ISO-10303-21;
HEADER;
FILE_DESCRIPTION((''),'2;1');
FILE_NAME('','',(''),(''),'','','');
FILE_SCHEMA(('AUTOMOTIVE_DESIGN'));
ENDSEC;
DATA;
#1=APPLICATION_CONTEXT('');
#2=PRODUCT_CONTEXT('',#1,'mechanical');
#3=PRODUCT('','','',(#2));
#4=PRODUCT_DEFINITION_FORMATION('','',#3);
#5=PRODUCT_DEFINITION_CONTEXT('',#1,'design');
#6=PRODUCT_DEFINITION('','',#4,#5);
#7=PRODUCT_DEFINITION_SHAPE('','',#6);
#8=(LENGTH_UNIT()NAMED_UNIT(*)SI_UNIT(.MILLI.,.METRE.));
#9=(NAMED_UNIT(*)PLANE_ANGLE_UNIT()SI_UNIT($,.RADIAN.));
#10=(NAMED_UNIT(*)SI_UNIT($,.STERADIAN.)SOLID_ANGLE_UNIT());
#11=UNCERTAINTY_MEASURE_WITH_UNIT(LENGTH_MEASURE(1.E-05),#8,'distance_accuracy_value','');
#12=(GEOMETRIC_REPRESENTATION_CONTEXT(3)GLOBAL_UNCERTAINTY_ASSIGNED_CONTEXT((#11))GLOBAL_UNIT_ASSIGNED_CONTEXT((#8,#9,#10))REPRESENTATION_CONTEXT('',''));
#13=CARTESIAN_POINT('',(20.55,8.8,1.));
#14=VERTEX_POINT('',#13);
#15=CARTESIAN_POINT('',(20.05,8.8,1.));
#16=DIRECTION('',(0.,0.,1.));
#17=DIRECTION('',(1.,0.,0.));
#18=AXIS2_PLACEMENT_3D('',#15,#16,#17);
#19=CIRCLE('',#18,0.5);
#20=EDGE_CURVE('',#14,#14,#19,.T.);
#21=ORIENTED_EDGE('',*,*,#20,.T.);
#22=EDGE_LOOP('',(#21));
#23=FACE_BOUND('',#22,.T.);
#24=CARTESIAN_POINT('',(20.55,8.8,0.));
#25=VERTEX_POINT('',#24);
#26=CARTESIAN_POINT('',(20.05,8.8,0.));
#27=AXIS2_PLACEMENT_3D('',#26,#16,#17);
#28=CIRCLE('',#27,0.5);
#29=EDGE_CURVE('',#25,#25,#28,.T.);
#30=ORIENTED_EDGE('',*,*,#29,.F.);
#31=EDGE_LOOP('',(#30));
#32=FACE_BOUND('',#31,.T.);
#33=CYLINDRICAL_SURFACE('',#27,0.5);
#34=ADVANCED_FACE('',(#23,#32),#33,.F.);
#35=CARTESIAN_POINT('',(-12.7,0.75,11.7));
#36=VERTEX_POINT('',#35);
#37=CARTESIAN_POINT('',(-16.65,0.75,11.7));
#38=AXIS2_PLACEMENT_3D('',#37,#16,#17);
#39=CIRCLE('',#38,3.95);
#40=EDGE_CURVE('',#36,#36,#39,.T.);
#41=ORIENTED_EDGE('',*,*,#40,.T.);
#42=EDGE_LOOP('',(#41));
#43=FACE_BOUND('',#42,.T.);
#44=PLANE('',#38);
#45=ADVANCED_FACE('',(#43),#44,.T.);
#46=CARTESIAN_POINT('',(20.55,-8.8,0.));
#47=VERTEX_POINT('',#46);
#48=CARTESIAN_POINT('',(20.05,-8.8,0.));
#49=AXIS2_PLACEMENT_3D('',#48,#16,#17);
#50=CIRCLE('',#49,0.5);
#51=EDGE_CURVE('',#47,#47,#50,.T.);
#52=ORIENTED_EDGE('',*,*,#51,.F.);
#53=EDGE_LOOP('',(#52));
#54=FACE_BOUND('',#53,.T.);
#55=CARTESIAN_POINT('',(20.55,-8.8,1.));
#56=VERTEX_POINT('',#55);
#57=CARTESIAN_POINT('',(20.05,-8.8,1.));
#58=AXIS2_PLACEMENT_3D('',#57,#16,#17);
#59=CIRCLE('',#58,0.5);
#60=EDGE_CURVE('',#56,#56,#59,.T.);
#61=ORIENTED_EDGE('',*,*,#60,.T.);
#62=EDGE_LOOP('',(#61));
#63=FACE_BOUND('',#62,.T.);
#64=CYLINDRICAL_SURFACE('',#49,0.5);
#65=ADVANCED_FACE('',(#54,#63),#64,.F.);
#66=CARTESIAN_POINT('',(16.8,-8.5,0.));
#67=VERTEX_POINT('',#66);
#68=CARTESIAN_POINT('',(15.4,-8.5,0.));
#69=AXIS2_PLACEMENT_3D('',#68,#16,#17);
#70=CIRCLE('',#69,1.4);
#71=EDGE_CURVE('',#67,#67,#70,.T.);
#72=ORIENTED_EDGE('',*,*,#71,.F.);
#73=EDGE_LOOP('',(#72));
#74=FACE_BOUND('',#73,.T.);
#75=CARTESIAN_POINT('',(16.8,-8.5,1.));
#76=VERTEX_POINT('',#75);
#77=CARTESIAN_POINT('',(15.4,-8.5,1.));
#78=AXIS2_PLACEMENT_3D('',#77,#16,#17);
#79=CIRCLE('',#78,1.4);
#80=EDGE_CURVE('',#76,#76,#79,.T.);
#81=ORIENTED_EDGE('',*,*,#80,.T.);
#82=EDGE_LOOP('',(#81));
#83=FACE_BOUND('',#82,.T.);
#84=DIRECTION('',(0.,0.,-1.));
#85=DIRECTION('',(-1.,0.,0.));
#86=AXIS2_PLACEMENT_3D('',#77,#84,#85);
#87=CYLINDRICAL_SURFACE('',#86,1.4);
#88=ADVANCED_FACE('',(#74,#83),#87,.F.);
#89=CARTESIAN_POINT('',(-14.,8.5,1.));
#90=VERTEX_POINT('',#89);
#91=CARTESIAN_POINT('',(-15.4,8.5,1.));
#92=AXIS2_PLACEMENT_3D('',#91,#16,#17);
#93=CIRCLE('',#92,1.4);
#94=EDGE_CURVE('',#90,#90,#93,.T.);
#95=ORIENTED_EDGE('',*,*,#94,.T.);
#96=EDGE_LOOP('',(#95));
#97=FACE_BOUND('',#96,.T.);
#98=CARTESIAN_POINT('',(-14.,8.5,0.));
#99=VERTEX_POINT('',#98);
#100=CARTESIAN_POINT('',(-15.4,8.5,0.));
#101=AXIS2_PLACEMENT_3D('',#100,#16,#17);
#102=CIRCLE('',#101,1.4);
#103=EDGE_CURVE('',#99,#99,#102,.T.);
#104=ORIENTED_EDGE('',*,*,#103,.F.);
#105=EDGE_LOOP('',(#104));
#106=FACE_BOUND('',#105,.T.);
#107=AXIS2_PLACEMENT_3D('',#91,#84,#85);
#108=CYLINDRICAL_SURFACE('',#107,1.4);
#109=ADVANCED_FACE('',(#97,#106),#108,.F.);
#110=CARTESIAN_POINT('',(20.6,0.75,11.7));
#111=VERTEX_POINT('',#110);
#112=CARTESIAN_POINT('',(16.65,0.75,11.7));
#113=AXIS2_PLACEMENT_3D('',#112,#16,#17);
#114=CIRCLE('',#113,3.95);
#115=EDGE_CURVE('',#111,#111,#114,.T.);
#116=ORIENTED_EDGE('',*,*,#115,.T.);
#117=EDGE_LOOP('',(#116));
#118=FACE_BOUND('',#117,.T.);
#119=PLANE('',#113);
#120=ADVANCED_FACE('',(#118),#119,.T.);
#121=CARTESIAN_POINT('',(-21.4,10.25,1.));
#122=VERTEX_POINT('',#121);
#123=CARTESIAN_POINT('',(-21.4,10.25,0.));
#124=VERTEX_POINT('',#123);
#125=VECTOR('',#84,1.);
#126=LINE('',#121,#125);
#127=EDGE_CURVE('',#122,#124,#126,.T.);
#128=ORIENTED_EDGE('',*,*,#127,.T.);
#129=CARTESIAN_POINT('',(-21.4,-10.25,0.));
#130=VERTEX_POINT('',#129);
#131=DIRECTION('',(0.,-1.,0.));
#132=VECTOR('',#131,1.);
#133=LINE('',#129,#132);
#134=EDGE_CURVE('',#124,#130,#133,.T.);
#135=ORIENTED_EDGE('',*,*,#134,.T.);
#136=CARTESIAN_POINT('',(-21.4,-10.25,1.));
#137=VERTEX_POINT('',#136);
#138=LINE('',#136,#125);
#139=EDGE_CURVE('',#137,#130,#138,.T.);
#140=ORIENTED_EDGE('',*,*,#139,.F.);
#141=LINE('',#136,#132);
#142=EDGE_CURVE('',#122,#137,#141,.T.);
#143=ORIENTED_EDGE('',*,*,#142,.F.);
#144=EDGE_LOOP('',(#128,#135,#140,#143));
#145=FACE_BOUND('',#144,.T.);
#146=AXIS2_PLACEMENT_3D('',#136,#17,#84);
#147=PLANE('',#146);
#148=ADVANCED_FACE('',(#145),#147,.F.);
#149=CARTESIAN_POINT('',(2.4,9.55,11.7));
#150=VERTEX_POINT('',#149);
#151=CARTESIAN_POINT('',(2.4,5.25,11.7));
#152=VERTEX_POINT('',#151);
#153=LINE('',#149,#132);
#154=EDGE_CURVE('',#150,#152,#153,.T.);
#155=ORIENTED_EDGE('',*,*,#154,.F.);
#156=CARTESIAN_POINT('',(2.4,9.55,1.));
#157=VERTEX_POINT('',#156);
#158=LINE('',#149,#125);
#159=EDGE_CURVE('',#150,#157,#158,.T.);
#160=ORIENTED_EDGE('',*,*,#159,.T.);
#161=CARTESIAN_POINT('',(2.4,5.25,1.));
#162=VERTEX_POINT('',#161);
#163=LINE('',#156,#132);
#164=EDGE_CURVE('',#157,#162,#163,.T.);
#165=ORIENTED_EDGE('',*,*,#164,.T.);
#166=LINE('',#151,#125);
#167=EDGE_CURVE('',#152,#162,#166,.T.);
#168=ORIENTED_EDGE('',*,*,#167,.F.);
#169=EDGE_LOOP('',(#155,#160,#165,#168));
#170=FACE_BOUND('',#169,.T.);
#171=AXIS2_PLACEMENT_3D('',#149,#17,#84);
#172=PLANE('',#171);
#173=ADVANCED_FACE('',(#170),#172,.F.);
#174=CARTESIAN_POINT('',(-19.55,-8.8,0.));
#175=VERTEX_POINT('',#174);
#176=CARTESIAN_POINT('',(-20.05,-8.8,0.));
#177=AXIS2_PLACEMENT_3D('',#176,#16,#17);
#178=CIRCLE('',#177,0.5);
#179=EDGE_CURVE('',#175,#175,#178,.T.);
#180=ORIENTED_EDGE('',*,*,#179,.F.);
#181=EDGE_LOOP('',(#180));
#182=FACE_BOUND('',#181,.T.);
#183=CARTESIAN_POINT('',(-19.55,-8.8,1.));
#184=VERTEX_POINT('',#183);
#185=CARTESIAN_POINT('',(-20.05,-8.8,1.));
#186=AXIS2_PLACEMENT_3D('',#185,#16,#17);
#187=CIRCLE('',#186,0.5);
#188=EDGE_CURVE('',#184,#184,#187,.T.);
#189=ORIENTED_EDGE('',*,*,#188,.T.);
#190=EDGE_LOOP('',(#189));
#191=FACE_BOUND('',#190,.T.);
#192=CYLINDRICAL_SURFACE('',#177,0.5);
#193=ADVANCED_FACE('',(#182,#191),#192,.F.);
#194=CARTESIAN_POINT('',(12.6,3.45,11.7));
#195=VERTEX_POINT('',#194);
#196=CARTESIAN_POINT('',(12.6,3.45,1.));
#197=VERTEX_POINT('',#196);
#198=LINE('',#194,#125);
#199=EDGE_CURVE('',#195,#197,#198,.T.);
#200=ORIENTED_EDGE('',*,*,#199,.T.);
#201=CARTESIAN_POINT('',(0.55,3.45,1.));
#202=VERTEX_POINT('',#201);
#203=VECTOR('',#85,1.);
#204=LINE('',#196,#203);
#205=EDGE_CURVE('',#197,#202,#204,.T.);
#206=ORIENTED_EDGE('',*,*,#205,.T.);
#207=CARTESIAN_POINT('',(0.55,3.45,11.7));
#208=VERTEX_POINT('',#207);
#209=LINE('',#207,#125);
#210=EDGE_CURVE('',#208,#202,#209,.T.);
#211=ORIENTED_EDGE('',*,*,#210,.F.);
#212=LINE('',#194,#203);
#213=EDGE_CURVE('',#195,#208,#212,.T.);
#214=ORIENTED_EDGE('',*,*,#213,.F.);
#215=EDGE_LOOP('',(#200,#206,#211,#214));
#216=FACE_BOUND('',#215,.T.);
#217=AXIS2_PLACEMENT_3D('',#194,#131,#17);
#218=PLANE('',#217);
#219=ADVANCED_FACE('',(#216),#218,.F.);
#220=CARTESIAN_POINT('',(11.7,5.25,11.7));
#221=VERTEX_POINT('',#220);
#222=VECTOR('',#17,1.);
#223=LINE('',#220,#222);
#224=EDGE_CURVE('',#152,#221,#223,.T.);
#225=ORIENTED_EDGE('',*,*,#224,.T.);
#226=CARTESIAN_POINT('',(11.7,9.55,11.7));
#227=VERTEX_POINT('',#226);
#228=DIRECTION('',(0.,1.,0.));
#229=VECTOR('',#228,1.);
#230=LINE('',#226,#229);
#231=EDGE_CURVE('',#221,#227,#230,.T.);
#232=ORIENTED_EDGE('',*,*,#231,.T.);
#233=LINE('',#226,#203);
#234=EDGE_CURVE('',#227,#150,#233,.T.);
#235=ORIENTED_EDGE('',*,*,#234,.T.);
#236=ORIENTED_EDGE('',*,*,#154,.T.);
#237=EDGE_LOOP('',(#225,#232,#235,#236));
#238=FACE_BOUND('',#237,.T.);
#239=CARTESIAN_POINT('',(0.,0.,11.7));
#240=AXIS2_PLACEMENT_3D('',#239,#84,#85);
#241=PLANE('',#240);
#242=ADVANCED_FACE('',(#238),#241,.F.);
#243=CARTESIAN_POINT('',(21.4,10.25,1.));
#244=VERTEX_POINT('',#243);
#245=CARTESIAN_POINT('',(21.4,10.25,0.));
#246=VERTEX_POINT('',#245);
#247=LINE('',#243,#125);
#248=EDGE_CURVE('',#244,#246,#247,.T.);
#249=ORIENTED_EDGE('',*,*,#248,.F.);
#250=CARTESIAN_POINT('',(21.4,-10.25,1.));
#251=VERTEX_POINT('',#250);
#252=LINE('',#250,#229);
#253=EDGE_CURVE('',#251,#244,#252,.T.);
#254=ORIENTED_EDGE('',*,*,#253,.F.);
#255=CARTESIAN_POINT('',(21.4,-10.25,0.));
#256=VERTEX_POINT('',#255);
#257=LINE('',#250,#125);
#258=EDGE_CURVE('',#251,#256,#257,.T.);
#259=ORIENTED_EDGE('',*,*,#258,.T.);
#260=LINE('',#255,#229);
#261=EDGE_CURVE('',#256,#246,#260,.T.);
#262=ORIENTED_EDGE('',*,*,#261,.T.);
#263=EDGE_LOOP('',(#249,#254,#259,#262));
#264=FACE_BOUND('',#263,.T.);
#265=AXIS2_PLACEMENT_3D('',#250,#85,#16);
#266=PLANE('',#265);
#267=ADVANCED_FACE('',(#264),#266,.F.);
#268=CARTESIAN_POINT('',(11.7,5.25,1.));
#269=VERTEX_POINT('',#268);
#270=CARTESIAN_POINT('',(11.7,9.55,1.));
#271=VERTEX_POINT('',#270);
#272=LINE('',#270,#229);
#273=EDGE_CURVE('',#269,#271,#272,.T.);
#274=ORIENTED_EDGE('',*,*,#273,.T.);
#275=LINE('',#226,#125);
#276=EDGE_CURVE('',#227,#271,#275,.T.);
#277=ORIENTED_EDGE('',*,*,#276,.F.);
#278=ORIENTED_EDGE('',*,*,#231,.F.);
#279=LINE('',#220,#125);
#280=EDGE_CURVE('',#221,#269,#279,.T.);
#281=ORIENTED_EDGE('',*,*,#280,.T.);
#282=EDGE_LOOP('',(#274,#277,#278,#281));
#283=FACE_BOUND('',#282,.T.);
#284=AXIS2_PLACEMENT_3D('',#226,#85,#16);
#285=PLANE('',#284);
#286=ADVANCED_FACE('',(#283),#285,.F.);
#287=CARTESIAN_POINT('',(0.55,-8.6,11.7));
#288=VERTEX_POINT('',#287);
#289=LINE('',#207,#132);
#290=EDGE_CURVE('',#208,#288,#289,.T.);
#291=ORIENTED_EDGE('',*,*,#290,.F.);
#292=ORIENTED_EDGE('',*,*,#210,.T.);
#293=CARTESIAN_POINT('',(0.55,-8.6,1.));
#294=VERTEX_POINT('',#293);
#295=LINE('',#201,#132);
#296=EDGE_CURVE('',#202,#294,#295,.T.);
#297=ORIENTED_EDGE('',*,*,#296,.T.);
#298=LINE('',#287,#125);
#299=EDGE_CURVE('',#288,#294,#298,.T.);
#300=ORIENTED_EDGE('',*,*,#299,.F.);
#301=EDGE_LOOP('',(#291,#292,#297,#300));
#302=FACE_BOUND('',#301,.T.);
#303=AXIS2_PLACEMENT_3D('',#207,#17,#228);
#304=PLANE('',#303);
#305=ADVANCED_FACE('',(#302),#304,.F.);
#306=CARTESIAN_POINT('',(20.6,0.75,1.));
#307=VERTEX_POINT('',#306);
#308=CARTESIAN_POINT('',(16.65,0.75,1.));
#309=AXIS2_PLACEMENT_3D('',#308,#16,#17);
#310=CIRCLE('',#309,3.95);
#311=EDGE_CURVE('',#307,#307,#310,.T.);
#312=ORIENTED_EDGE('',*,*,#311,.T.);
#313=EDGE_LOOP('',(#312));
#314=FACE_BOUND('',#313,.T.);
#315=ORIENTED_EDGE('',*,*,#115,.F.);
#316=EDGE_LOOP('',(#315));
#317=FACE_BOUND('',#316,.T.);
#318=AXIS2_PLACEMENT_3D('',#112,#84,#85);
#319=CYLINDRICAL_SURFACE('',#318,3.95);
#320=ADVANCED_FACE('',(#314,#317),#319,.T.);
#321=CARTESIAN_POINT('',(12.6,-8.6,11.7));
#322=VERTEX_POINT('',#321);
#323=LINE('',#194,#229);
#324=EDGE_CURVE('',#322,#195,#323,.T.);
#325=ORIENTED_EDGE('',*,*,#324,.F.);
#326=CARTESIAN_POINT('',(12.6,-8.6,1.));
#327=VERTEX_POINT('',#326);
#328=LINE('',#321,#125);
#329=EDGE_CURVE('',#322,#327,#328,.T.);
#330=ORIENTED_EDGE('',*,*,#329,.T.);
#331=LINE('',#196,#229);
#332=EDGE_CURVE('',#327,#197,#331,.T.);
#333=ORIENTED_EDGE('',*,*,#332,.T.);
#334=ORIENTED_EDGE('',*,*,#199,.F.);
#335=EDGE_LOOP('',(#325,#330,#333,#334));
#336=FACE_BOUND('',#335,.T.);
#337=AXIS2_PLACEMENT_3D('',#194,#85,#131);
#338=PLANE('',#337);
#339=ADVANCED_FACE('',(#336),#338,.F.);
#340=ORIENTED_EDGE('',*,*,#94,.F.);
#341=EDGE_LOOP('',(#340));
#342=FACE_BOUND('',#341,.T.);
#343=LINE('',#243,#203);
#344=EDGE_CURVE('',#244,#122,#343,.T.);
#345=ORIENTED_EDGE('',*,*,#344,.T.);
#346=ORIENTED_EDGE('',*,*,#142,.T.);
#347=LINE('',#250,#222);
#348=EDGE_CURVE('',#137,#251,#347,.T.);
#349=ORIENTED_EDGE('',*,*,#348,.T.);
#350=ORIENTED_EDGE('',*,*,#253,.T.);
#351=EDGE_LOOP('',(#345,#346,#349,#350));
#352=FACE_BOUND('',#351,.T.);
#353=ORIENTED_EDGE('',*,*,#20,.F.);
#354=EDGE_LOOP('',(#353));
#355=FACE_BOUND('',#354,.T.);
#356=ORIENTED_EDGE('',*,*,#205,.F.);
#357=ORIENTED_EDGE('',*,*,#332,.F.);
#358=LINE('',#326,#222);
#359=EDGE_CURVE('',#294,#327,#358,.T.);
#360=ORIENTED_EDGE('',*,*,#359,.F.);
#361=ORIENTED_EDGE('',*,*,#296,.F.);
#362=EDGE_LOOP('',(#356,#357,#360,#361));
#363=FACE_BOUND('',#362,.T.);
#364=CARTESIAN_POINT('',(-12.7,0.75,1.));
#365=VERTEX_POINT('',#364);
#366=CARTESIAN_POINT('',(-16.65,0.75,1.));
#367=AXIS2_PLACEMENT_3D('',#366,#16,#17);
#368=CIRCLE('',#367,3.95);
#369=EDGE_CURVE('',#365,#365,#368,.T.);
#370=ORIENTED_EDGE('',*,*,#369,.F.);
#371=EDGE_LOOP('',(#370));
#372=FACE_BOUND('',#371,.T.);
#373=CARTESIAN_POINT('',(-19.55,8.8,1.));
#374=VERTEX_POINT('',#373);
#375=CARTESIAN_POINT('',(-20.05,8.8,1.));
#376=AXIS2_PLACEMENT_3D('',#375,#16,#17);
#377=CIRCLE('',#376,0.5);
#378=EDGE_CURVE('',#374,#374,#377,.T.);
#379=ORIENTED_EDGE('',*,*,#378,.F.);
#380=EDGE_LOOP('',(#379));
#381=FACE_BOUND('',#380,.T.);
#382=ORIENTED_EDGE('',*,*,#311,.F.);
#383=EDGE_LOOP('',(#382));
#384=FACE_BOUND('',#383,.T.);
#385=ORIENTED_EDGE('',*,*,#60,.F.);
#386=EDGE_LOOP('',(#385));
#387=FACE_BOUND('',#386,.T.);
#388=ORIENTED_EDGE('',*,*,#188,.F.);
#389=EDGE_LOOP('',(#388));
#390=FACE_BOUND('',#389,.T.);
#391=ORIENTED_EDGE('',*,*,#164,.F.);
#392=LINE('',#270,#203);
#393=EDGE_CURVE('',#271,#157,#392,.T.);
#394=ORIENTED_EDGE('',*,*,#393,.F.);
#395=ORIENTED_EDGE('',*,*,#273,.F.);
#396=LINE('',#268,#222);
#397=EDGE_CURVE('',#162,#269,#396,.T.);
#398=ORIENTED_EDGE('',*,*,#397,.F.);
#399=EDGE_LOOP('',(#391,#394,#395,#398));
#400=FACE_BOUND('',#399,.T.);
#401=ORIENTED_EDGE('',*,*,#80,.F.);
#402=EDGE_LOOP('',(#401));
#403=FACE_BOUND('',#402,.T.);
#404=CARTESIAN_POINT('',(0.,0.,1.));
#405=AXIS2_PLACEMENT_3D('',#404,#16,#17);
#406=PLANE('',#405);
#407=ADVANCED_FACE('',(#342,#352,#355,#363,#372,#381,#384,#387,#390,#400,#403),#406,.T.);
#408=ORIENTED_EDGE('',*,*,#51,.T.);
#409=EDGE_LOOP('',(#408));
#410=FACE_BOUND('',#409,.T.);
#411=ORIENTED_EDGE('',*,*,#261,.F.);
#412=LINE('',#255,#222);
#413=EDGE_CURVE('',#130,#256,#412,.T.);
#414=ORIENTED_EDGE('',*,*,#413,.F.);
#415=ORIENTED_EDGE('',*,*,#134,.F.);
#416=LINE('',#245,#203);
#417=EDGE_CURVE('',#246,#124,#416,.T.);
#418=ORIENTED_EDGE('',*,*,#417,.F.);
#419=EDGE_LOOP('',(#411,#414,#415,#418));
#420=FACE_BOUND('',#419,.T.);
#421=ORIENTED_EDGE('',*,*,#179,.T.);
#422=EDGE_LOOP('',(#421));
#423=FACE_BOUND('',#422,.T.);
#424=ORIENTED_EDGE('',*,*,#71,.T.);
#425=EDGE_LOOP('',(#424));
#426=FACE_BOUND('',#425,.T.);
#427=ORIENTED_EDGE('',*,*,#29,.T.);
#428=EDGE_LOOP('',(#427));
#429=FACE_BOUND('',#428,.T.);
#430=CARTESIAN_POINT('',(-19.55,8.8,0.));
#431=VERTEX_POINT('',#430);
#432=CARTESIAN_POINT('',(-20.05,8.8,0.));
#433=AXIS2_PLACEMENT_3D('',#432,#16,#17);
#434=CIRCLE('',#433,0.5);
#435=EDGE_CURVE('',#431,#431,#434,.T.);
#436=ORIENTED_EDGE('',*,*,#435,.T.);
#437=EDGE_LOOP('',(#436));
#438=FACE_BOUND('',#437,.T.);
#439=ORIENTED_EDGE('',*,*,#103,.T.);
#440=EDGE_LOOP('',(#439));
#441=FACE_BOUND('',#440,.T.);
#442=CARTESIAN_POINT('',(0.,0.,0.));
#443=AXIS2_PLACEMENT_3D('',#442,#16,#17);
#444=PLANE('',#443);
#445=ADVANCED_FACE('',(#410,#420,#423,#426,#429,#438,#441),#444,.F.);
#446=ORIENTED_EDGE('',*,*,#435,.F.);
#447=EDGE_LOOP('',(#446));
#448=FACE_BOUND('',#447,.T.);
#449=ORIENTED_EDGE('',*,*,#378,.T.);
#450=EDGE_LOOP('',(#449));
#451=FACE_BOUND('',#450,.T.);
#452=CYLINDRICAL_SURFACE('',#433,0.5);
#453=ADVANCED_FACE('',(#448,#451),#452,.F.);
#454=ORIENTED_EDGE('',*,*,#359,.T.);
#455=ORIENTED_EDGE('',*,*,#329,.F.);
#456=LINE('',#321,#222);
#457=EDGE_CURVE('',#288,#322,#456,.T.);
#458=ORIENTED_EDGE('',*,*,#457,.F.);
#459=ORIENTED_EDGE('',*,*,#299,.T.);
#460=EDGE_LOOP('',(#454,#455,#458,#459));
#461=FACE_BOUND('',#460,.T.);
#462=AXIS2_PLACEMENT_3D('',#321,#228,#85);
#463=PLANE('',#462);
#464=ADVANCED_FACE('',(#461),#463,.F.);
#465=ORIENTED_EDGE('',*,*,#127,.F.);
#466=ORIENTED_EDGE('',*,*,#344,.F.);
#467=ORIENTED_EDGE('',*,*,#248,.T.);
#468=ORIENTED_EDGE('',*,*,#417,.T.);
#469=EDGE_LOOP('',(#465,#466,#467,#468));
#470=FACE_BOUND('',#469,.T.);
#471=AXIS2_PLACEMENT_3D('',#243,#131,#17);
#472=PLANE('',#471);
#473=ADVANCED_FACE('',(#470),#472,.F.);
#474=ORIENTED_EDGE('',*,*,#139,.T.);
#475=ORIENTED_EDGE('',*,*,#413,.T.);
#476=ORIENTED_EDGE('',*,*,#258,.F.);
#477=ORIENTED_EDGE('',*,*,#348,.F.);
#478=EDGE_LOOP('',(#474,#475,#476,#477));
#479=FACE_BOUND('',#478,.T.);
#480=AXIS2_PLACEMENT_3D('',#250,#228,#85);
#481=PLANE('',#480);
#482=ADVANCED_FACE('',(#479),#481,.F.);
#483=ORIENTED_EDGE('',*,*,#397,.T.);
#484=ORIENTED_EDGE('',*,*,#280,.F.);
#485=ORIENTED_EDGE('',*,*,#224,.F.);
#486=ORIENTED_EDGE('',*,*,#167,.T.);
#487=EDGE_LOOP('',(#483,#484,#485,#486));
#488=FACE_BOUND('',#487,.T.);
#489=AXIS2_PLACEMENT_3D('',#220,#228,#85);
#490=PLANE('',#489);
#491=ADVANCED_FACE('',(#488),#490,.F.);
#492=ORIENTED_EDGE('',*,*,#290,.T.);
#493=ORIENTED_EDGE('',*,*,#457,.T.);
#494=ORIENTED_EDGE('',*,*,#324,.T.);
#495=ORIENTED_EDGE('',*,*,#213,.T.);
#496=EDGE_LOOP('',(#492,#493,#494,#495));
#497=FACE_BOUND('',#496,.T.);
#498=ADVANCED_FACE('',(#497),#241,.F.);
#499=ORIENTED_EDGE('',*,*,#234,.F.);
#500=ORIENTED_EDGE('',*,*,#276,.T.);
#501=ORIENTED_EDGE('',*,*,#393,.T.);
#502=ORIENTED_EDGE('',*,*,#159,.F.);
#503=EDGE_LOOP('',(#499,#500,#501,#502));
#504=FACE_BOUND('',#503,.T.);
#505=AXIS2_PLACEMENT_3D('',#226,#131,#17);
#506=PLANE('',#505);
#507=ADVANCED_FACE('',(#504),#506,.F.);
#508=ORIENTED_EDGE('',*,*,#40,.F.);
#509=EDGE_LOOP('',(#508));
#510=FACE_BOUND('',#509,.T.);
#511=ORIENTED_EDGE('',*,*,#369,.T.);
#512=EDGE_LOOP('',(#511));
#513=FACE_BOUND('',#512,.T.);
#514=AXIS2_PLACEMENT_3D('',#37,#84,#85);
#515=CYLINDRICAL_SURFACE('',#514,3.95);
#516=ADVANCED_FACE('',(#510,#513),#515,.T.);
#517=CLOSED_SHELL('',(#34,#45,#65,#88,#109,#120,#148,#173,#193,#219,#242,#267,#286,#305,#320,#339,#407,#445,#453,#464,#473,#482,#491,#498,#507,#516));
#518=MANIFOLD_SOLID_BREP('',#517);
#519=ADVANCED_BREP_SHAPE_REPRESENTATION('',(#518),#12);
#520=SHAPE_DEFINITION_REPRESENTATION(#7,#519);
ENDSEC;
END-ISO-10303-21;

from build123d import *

# Parameters (mm, degrees)
SKETCH1_W           = 42.8
SKETCH1_H           = 20.5
SKETCH1_R           = 1.4
BOSS_EXTRUDE1_DEPTH = 1
SKETCH3_R           = 3.95
SKETCH3_W           = 9.3
SKETCH3_H           = 4.3
SKETCH3_W_2         = 12.05
SKETCH3_H_2         = 12.05
BOSS_EXTRUDE2_DEPTH = 10.7
SKETCH4_R           = 0.5
CUT_EXTRUDE1_DEPTH  = 2


with BuildPart() as part:
    # Sketch1 → Boss-Extrude1 (new body)
    with BuildSketch(Plane.XY):
        Rectangle(SKETCH1_W, SKETCH1_H)
        with Locations((15.4, -8.5)):
            Circle(SKETCH1_R, mode=Mode.SUBTRACT)
        with Locations((-15.4, 8.5)):
            Circle(SKETCH1_R, mode=Mode.SUBTRACT)
    extrude(amount=BOSS_EXTRUDE1_DEPTH)

    # Sketch3 → Boss-Extrude2 (add)
    with BuildSketch(Plane.XY.offset(1)):
        with Locations((16.65, 0.75)):
            Circle(SKETCH3_R)
        with Locations((-16.65, 0.75)):
            Circle(SKETCH3_R)
        with Locations((7.05, 7.4)):
            Rectangle(SKETCH3_W, SKETCH3_H)
        with Locations((6.575, -2.575)):
            Rectangle(SKETCH3_W_2, SKETCH3_H_2)
    extrude(amount=BOSS_EXTRUDE2_DEPTH)

    # Sketch4 → Cut-Extrude1 (cut, through all)
    with BuildSketch(Plane.XY.offset(1)):
        with Locations((-20.05, 8.8)):
            Circle(SKETCH4_R)
        with Locations((-20.05, -8.8)):
            Circle(SKETCH4_R)
        with Locations((20.05, -8.8)):
            Circle(SKETCH4_R)
        with Locations((20.05, 8.8)):
            Circle(SKETCH4_R)
    extrude(amount=-CUT_EXTRUDE1_DEPTH, mode=Mode.SUBTRACT)


solid = part.part
